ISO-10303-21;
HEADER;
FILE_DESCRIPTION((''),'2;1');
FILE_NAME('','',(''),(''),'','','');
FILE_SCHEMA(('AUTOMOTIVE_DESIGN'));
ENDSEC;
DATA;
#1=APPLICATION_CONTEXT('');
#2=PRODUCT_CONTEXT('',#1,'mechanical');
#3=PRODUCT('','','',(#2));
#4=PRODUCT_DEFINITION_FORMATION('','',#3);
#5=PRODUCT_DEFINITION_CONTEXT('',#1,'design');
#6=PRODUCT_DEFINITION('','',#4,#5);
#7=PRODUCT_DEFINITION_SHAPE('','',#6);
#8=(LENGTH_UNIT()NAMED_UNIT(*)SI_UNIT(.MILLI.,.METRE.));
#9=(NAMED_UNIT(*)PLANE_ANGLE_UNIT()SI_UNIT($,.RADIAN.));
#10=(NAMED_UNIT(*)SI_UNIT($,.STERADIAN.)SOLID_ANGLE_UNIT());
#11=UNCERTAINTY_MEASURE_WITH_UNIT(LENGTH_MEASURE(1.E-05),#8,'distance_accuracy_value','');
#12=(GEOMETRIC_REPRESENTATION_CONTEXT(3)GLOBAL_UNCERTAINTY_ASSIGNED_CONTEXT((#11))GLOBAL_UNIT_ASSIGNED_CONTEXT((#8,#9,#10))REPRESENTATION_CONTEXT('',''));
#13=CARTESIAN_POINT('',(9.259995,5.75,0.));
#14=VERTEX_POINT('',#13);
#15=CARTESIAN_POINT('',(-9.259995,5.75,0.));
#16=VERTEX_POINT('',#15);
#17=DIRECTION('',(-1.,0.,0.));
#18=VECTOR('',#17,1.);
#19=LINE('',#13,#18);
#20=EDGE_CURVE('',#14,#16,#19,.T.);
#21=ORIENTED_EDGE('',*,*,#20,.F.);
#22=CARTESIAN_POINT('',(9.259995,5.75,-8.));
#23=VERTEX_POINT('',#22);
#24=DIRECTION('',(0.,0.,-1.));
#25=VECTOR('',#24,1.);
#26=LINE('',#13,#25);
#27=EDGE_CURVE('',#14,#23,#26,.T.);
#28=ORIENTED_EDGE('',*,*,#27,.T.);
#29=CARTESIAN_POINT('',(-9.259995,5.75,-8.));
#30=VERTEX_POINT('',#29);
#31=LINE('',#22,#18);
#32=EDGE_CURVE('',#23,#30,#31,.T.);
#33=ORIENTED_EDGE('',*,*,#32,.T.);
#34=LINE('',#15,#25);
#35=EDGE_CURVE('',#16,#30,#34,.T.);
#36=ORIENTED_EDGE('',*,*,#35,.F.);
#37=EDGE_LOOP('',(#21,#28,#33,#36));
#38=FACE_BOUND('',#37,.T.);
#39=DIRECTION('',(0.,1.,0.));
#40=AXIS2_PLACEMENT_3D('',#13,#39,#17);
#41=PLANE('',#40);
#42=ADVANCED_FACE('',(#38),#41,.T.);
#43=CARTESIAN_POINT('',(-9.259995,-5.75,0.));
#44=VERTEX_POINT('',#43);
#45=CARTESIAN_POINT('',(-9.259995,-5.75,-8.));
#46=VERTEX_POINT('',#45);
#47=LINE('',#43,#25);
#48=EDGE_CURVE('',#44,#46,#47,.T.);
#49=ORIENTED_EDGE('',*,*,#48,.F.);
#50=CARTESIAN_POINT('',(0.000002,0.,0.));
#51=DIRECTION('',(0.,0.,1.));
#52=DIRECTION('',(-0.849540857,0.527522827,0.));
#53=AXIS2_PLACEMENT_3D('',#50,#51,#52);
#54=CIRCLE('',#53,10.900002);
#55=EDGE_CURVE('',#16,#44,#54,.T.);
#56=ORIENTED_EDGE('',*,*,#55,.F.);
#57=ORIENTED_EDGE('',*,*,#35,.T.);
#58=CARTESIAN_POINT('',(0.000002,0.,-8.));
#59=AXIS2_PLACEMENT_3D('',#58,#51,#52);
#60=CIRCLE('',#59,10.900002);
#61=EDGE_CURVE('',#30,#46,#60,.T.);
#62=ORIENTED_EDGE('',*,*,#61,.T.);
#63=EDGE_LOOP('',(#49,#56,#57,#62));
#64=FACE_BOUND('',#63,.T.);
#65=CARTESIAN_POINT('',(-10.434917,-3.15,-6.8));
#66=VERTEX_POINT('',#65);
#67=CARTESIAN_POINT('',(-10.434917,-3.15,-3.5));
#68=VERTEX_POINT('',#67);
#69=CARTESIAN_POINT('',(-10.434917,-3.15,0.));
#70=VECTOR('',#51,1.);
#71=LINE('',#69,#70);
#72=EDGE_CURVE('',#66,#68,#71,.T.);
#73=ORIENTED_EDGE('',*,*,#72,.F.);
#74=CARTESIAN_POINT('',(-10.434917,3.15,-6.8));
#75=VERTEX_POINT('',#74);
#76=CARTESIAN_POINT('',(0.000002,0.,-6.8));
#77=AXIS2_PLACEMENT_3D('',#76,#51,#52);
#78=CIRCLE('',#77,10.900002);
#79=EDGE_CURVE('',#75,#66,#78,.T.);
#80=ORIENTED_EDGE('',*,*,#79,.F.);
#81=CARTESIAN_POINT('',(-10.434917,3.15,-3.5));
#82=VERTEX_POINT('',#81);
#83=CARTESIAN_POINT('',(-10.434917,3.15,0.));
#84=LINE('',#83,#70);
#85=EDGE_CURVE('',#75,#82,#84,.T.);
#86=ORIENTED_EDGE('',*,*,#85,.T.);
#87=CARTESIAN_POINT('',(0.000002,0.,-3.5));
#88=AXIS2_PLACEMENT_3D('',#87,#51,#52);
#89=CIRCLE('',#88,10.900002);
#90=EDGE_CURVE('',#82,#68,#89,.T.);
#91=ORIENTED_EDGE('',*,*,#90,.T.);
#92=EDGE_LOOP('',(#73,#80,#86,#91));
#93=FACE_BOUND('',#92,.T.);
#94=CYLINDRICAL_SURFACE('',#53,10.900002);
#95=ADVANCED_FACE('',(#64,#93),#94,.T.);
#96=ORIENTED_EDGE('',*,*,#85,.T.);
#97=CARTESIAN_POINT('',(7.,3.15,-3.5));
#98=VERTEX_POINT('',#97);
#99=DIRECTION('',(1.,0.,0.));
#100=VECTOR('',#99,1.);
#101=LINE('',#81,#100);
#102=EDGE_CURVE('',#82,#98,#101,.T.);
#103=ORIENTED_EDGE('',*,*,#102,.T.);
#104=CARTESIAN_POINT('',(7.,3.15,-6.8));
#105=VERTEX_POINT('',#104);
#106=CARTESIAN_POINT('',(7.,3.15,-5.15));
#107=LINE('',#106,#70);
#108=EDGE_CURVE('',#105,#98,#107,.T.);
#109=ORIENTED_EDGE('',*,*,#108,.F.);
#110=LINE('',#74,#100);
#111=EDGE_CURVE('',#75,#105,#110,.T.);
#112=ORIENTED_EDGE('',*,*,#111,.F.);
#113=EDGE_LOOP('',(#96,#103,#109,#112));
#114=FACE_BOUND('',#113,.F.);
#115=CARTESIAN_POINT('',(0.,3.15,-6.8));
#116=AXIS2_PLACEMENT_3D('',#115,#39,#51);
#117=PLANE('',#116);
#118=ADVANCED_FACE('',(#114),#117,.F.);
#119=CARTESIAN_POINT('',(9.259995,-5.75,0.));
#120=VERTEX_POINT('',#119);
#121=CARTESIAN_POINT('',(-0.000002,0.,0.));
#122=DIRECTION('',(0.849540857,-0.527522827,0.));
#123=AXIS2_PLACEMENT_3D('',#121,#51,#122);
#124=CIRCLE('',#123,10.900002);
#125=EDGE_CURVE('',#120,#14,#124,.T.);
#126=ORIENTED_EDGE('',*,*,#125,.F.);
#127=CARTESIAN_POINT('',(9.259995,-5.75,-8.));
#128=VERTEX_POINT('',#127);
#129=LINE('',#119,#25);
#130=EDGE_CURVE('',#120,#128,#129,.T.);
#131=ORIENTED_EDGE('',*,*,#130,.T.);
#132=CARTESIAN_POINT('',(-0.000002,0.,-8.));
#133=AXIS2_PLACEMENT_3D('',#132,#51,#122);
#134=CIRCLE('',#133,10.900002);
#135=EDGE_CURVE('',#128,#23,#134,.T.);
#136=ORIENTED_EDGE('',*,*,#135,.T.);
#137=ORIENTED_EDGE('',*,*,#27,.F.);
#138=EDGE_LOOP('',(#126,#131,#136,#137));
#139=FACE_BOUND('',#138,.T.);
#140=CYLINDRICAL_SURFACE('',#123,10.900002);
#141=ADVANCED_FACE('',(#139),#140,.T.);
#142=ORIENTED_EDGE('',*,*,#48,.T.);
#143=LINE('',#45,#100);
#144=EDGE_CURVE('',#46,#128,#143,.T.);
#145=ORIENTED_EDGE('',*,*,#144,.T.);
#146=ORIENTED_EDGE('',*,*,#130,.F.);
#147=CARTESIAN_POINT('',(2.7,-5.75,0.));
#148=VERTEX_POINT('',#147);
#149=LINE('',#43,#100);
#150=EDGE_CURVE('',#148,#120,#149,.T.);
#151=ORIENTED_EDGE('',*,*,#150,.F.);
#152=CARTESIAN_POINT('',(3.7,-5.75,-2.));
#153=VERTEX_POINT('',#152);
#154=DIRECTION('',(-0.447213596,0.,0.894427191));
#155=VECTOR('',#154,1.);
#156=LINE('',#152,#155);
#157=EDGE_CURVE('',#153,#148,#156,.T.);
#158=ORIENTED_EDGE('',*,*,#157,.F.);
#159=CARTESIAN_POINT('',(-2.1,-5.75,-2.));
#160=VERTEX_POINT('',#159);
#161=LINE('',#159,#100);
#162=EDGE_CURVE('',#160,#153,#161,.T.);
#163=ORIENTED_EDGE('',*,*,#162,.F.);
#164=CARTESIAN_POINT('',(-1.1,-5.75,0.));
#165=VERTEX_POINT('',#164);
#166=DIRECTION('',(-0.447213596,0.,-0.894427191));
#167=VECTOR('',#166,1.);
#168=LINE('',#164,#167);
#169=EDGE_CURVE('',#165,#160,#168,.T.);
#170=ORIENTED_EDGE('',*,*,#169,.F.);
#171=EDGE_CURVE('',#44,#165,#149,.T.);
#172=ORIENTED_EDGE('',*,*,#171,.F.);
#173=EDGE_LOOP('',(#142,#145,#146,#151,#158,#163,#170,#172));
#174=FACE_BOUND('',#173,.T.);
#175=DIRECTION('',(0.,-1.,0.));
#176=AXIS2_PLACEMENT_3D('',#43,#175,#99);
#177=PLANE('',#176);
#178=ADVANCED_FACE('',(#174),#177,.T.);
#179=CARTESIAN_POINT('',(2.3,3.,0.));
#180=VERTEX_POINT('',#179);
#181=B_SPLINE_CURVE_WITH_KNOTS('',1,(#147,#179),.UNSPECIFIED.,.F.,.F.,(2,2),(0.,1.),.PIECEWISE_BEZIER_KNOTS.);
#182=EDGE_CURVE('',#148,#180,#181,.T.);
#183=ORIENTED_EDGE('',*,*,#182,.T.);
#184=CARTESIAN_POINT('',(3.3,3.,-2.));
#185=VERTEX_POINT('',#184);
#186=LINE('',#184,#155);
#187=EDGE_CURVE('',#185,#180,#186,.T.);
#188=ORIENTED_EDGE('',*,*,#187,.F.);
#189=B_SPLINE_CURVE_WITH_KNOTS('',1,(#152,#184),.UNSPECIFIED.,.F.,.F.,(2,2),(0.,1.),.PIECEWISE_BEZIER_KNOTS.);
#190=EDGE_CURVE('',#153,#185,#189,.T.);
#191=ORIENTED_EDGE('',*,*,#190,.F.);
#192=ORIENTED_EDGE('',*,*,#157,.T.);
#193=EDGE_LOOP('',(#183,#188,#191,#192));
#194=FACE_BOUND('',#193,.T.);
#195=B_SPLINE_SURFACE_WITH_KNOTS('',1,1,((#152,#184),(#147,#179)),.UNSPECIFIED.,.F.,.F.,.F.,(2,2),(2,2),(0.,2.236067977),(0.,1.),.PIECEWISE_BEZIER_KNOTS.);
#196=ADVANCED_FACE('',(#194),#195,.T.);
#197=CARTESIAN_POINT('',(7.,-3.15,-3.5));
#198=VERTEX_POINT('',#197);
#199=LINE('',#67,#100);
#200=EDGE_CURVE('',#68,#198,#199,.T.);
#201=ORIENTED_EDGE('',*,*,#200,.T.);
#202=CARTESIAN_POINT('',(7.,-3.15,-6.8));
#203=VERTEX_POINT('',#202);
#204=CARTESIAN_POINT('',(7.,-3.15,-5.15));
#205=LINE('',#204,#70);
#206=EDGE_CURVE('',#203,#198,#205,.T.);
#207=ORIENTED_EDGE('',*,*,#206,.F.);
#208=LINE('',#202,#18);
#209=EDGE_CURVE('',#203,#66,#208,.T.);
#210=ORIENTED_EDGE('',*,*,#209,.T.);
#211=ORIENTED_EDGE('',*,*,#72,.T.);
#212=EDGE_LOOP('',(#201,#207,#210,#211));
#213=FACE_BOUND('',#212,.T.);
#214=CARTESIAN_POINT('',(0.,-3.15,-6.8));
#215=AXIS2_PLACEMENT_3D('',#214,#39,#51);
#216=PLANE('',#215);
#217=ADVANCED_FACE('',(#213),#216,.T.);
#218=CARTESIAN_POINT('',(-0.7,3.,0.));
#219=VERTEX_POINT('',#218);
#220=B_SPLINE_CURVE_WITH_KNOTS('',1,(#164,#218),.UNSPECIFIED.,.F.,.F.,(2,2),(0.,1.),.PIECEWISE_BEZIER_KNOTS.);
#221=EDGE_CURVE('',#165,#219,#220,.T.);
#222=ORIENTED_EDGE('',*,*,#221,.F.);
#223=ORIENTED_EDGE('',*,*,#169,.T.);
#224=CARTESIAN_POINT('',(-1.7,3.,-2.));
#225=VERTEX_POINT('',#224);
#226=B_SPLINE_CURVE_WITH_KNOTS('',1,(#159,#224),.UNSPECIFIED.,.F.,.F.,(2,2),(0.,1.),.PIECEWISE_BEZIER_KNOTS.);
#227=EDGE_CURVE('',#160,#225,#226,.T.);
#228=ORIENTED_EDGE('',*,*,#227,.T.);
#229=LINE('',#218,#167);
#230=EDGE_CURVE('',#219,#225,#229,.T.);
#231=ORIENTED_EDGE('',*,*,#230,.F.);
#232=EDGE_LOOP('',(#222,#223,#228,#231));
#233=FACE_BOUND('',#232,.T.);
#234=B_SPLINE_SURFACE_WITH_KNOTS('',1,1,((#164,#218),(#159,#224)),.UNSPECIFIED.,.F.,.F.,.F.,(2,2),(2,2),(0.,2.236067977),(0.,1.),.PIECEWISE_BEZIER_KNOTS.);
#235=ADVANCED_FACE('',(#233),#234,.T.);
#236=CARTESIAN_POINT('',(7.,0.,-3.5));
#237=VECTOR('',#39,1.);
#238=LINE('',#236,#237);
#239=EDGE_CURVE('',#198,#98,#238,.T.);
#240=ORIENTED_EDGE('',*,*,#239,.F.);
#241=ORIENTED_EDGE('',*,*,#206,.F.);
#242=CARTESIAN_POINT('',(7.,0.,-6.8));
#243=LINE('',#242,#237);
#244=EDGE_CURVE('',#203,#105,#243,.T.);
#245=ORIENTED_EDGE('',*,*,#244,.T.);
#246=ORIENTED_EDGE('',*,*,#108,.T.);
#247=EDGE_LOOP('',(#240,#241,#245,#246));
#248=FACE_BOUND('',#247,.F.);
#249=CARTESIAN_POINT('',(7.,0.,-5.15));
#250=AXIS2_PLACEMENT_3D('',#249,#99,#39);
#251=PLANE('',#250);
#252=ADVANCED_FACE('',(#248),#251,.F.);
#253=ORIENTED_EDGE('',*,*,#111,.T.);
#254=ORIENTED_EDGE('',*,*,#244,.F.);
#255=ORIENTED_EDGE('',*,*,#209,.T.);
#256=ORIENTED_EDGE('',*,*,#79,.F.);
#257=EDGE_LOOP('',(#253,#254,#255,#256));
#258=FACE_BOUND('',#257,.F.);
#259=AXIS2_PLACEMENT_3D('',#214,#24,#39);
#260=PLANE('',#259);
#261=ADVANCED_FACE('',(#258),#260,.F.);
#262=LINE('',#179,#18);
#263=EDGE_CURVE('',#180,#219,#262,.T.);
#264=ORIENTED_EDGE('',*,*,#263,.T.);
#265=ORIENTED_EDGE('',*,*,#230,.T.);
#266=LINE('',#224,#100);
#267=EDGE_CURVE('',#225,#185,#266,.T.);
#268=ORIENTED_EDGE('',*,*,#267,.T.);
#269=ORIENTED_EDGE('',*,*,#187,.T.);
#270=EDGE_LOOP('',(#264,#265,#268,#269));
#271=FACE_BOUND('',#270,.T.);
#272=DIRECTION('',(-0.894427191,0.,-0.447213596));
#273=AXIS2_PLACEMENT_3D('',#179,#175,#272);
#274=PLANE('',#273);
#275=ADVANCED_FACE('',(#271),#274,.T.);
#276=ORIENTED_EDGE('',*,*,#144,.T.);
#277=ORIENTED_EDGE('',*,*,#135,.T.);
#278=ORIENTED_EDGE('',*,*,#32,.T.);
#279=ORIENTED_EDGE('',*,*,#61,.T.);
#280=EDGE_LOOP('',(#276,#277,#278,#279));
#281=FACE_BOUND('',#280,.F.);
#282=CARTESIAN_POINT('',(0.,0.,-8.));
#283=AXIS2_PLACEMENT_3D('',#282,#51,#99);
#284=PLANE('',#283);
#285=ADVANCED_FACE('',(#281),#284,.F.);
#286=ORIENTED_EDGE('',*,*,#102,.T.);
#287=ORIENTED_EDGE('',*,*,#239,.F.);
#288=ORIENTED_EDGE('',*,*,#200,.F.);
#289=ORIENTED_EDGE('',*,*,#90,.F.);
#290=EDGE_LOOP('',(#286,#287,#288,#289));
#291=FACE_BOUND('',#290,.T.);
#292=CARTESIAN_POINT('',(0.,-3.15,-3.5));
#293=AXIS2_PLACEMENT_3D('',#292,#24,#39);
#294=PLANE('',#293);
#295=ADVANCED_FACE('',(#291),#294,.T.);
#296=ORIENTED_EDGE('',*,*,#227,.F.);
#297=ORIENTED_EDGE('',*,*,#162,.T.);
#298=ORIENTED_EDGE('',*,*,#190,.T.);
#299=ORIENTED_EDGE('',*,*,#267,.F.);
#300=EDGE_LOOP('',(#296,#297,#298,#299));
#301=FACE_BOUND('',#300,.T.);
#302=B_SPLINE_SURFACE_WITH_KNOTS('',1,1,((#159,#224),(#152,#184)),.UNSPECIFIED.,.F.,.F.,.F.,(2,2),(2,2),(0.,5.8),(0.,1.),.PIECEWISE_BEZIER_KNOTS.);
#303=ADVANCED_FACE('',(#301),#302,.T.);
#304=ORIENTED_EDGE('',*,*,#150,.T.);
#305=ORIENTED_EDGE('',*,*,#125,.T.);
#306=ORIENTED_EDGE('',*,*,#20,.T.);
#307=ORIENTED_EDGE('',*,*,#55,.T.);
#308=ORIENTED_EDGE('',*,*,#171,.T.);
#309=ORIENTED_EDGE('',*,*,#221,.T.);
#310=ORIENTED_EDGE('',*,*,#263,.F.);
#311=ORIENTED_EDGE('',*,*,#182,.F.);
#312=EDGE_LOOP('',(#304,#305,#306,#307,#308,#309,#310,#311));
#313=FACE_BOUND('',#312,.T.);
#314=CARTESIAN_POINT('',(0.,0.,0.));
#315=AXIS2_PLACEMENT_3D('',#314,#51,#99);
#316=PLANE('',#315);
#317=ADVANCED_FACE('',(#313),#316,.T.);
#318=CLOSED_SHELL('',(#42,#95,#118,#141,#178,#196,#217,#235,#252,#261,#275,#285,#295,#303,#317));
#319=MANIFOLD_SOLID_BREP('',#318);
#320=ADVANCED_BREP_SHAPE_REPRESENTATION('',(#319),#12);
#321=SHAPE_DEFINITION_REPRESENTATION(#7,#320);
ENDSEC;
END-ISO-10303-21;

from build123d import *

# Parameters (mm, degrees)
F1_DEPTH = 8
F6_W     = 6.3
F6_H     = 3.3
F7_DEPTH = 11.9
F8_DEPTH = 7


with BuildPart() as f1:
    # F0 (on Top) → F1 (new body)
    with BuildSketch(Plane.XY):
        with BuildLine():
            Line((9.259995, 5.75), (8.785642, 5.75))
            Line((8.785642, 5.75), (-8.785642, 5.75))
            Line((-8.785642, 5.75), (-9.259995, 5.75))
            ThreePointArc((-9.259995, 5.75), (-10.9, 0), (-9.259995, -5.75))
            Line((-9.259995, -5.75), (-8.785642, -5.75))
            Line((-8.785642, -5.75), (8.785642, -5.75))
            Line((8.785642, -5.75), (9.259995, -5.75))
            ThreePointArc((9.259995, -5.75), (10.9, 0), (9.259995, 5.75))
        make_face()
    extrude(amount=-F1_DEPTH)

    # F2 (on face) → F5 section 0
    with BuildSketch(Plane.XZ.offset(5.75)):
        Polygon((2.7, 0), (-1.1, 0), (-2.1, -2), (3.7, -2), align=None)
    # F4 (on offset) → F5 section 1
    with BuildSketch(Plane.XZ.offset(-3)):
        Polygon((3.3, -2), (2.3, 0), (-0.7, 0), (-1.7, -2), align=None)
    loft(mode=Mode.SUBTRACT)

    # F6 (on Right) → F7 (cut)
    with BuildSketch(Plane.YZ):
        with Locations((0, -5.15)):
            Rectangle(F6_W, F6_H)
    extrude(amount=-F7_DEPTH, mode=Mode.SUBTRACT)

    # F6 (on Right) → F8 (cut)
    with BuildSketch(Plane.YZ):
        with Locations((0, -5.15)):
            Rectangle(F6_W, F6_H)
    extrude(amount=F8_DEPTH, mode=Mode.SUBTRACT)


solid = f1.part
